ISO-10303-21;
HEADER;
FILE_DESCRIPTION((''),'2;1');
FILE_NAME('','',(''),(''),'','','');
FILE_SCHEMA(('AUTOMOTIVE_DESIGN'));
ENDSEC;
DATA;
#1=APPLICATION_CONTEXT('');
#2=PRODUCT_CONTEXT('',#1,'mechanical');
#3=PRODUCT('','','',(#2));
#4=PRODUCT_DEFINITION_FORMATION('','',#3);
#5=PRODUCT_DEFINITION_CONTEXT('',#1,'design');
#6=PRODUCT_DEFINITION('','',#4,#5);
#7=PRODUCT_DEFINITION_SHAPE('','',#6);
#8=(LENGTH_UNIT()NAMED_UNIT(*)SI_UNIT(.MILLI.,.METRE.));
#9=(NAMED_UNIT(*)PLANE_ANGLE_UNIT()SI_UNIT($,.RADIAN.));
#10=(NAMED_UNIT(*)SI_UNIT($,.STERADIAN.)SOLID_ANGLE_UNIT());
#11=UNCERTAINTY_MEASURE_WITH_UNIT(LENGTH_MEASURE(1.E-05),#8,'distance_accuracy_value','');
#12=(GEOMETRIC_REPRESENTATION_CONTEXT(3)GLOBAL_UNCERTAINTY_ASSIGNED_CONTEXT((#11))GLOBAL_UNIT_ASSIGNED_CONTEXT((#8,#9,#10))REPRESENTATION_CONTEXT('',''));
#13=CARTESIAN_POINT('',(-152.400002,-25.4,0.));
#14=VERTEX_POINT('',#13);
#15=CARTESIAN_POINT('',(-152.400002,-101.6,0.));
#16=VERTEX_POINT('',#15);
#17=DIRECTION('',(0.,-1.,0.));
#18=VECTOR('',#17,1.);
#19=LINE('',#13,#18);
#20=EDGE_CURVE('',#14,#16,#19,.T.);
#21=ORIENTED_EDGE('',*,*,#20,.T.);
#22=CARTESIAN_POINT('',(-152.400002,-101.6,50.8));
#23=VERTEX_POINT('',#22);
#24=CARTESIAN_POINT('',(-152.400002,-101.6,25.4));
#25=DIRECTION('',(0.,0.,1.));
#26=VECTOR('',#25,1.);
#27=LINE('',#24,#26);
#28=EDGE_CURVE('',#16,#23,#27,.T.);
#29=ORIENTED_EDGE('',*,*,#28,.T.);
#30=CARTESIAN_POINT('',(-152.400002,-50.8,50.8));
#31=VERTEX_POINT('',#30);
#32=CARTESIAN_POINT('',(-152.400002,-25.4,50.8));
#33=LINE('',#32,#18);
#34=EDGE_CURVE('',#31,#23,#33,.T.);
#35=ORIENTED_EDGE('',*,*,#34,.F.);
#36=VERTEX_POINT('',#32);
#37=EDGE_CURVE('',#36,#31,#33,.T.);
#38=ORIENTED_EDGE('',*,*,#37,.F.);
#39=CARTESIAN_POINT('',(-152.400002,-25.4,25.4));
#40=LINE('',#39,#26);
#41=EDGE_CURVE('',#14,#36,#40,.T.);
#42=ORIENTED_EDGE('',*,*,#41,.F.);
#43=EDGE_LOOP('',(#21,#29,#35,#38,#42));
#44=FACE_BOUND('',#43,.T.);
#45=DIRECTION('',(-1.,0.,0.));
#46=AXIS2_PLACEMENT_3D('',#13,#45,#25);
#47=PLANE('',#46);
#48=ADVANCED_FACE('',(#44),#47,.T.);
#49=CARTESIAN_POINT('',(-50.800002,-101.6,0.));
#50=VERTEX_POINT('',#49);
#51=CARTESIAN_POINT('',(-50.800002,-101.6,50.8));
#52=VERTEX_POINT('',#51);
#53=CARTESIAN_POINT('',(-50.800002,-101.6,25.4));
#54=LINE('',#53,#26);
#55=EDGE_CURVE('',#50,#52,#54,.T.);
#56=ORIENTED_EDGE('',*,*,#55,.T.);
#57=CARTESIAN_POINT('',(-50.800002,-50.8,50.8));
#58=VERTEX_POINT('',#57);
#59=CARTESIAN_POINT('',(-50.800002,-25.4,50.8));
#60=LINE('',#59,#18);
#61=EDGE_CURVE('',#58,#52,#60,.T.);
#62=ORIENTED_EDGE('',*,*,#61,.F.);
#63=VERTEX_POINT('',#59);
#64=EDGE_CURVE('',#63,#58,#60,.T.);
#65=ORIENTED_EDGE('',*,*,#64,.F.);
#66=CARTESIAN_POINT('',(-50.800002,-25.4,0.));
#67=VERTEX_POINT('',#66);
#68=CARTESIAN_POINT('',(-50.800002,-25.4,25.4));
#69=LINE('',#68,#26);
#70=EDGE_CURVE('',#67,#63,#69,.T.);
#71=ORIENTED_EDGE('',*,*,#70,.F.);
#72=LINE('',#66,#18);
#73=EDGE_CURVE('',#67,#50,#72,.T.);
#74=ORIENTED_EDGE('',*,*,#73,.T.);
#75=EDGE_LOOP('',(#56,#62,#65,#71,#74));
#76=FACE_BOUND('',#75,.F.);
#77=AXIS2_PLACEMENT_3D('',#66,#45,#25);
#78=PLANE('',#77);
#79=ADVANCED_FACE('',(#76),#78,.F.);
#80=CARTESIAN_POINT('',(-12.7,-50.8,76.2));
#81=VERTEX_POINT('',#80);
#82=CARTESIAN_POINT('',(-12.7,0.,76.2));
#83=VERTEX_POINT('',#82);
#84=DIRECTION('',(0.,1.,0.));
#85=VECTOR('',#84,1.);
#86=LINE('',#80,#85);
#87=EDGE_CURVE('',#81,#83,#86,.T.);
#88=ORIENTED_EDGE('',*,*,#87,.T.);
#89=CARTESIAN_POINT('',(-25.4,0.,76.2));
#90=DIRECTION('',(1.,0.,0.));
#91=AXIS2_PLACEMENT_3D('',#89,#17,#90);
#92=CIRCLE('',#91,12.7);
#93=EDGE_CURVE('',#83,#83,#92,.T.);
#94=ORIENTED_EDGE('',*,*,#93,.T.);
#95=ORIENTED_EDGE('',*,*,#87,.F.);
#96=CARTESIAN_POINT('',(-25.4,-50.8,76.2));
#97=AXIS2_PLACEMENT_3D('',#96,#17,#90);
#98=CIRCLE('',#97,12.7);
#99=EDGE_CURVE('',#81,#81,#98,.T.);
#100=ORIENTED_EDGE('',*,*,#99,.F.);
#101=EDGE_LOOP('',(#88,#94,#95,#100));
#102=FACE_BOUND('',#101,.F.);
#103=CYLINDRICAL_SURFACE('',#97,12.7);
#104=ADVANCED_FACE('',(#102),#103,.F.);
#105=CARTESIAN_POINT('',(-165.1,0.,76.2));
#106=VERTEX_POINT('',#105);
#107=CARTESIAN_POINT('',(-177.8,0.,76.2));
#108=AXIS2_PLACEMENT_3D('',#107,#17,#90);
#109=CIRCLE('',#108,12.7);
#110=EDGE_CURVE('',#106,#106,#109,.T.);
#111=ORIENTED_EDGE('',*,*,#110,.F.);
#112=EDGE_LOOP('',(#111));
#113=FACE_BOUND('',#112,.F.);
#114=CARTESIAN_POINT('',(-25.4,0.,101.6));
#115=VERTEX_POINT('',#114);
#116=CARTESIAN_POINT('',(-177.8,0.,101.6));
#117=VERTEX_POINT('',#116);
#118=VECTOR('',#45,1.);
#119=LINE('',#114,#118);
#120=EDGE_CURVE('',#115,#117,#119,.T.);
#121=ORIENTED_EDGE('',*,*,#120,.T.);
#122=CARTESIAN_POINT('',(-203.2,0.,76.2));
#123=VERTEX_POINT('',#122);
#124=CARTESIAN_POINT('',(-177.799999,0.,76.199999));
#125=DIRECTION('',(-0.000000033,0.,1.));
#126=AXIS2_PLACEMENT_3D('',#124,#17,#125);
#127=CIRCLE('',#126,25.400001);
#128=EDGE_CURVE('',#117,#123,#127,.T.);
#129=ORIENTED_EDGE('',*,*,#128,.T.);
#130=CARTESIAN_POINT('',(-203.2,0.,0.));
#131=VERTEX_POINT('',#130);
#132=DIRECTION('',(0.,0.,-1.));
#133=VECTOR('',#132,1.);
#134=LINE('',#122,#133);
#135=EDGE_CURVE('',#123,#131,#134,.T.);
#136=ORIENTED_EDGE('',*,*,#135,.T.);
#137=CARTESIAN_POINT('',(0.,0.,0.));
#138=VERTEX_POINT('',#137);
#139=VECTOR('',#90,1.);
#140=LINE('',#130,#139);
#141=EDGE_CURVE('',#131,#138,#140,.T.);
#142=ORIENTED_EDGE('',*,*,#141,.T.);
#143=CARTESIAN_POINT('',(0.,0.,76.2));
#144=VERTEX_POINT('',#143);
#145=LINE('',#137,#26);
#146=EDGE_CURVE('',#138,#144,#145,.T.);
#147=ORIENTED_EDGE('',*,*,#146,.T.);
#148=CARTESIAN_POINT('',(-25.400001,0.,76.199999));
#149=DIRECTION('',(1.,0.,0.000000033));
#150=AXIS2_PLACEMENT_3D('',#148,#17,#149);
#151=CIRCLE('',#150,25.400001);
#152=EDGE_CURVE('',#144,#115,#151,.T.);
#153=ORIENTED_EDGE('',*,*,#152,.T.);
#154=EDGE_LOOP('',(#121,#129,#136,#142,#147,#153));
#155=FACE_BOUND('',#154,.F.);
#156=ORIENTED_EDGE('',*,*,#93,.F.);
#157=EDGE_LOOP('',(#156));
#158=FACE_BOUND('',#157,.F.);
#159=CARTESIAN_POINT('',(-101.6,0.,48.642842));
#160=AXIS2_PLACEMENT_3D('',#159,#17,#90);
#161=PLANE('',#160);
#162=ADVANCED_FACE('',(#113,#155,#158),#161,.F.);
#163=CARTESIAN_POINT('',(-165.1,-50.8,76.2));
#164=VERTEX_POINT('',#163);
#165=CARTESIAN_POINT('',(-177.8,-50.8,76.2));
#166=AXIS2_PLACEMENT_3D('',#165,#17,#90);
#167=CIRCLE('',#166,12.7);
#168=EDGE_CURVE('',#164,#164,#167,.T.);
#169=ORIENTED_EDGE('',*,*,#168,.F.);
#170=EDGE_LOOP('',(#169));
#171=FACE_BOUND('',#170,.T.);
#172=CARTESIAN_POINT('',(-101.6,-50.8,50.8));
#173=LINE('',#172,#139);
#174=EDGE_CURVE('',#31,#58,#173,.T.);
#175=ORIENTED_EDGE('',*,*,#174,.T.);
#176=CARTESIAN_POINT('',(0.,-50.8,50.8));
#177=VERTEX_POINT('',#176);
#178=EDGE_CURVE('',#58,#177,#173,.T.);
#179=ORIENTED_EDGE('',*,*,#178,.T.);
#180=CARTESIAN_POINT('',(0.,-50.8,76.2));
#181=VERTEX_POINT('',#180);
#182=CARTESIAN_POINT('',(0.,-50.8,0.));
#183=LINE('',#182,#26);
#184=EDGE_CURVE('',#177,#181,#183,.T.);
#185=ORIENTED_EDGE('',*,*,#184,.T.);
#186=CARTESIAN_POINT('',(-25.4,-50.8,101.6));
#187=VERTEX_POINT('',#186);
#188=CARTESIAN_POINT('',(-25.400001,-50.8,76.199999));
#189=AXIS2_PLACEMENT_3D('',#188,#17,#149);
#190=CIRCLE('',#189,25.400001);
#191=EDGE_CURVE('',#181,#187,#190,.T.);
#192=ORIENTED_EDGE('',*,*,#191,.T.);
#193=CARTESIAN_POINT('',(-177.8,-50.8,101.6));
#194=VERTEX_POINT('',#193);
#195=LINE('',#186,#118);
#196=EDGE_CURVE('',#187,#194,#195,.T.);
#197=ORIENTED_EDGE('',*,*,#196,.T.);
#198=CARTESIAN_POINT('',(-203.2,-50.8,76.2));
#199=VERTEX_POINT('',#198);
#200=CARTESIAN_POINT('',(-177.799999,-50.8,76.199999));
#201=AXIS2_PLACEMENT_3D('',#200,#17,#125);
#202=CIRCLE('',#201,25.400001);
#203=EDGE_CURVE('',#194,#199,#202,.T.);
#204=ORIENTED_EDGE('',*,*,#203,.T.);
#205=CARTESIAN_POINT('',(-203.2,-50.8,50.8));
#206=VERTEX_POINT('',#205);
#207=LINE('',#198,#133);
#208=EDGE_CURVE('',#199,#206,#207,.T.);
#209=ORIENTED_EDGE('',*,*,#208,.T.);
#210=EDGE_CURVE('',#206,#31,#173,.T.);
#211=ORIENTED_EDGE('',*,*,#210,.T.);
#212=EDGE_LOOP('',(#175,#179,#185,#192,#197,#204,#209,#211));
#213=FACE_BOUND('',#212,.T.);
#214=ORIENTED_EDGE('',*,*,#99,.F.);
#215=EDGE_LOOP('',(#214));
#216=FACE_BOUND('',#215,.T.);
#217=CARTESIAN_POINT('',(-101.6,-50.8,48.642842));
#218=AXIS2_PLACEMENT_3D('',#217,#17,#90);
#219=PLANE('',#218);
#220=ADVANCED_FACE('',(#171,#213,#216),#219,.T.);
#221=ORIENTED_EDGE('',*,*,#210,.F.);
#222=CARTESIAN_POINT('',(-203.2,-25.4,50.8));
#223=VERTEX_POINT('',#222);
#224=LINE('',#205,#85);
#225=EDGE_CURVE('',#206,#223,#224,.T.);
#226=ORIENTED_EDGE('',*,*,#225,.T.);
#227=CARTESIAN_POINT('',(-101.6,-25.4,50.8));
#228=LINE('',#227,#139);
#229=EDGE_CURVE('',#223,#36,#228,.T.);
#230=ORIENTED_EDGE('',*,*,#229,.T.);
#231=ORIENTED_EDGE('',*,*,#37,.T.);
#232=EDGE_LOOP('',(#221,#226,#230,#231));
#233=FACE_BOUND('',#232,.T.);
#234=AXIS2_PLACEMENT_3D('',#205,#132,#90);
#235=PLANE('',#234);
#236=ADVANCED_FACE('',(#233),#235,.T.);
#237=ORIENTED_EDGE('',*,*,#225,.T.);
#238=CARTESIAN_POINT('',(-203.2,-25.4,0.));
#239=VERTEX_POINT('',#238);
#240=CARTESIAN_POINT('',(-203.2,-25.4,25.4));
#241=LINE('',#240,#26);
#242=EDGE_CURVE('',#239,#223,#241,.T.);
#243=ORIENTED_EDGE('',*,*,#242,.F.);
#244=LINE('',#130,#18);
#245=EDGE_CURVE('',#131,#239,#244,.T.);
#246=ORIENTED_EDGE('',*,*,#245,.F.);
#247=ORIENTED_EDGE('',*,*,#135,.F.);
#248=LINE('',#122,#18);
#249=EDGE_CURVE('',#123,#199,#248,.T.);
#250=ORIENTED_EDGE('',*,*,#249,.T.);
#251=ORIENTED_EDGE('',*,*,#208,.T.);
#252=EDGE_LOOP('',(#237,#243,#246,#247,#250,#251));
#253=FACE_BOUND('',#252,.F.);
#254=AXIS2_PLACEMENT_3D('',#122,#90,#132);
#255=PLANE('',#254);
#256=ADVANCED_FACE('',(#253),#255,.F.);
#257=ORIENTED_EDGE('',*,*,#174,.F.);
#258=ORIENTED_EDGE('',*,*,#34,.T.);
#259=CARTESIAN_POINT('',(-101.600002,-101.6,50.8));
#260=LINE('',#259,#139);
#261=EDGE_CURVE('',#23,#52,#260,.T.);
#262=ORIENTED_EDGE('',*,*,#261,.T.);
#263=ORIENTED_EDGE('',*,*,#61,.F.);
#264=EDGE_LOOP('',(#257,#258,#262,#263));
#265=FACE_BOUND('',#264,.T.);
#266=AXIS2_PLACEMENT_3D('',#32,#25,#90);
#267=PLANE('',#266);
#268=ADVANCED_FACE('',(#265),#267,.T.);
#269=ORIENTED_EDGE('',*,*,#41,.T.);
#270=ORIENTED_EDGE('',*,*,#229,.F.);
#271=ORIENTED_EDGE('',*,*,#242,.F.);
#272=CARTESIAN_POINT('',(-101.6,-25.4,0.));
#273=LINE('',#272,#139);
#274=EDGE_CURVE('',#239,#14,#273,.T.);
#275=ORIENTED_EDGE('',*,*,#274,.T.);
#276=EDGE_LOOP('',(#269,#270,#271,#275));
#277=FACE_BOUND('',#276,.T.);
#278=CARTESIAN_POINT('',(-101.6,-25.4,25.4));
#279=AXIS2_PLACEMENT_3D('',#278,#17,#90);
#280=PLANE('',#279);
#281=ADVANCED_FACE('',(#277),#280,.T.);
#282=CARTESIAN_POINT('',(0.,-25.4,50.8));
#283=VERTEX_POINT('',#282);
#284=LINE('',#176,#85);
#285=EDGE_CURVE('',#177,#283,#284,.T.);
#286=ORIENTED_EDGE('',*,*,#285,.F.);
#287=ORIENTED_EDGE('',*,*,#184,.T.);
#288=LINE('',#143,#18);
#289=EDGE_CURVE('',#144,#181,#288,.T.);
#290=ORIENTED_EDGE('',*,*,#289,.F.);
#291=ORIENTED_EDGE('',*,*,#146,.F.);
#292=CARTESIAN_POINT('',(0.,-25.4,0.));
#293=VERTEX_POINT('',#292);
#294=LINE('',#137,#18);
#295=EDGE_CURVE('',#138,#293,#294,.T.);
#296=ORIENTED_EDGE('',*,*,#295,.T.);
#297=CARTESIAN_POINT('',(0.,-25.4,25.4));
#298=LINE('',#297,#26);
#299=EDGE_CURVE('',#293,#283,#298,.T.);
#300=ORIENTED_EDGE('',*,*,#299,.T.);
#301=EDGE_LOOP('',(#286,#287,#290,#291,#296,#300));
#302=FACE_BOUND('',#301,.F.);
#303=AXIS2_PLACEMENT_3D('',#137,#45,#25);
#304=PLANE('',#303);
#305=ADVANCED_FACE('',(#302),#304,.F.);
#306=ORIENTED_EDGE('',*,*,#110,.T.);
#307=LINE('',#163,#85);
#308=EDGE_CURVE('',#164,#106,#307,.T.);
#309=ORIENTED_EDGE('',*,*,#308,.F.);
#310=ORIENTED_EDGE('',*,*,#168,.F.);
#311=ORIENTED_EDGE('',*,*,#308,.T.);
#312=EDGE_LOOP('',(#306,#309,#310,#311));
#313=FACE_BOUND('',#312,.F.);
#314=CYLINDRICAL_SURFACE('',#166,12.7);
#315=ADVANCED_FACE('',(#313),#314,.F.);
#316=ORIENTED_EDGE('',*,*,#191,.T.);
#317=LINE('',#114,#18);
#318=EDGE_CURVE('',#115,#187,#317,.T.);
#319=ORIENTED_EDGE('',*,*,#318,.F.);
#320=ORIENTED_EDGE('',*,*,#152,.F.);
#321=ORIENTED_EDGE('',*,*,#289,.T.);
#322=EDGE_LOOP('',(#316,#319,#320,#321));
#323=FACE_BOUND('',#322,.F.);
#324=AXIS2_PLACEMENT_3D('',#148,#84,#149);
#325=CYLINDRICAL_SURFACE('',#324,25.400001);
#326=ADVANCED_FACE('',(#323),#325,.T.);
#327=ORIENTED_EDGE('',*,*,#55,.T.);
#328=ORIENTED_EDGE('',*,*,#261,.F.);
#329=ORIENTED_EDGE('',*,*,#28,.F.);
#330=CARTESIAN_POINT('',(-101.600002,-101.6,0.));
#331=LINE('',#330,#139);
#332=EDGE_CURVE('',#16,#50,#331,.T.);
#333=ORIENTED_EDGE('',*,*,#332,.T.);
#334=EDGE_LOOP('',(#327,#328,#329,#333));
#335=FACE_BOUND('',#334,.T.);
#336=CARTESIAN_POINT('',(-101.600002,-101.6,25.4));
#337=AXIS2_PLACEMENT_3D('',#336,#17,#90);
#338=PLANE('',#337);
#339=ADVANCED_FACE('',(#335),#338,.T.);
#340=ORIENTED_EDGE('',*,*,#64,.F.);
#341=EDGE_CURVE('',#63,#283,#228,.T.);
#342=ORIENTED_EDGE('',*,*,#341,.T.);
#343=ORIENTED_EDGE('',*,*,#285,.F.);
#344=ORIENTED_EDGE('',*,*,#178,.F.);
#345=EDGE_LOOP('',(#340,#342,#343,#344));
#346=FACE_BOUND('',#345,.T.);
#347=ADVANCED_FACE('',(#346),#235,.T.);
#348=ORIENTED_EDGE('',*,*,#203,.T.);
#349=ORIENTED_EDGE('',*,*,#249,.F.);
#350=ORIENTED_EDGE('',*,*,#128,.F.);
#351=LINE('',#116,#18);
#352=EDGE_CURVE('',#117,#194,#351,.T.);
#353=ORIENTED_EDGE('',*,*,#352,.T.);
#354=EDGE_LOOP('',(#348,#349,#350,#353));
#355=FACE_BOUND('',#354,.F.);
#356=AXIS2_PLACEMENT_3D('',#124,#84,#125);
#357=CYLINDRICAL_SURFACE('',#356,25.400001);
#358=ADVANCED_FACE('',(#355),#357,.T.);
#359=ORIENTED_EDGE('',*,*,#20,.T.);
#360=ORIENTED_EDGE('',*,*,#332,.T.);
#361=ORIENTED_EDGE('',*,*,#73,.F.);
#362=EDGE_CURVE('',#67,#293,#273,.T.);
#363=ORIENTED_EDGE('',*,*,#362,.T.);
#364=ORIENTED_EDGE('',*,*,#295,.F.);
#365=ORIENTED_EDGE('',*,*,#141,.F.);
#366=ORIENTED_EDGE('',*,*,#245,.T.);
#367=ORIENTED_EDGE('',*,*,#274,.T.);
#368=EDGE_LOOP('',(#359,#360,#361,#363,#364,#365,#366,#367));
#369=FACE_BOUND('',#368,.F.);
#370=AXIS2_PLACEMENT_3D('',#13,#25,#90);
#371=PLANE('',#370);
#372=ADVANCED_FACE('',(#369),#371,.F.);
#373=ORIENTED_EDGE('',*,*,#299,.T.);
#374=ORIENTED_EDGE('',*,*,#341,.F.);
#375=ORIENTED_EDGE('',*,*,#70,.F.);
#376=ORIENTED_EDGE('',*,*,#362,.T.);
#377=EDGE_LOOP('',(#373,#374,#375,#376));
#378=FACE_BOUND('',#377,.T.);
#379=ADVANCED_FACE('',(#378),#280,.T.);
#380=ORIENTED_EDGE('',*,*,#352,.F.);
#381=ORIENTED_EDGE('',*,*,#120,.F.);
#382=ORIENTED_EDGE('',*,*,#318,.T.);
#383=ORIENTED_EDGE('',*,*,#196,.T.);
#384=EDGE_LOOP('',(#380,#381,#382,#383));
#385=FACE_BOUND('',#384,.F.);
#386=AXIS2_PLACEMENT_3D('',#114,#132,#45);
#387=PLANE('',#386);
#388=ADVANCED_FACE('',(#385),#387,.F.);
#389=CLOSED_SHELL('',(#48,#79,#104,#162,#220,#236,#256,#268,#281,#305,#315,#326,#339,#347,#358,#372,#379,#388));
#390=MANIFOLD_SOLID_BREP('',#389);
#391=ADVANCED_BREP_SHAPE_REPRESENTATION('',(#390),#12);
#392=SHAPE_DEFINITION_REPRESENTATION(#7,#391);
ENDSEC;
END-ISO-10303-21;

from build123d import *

# Parameters (mm, degrees)
F1_DEPTH = 50.8
F2_W     = 203.2
F2_H     = 50.8
F3_DEPTH = 25.4
F4_W     = 101.6
F4_H     = 50.8
F5_DEPTH = 76.2
F6_R     = 12.7
F7_DEPTH = 50.8


with BuildPart() as f1:
    # F0 (on Front) → F1 (new body)
    with BuildSketch(Plane.XZ):
        with BuildLine():
            Line((-203.2, 0), (0, 0))
            Line((0, 0), (0, 76.2))
            ThreePointArc((0, 76.2), (-7.439488, 94.160512), (-25.4, 101.6))
            Line((-25.4, 101.6), (-177.8, 101.6))
            ThreePointArc((-177.8, 101.6), (-195.760512, 94.160512), (-203.2, 76.2))
            Line((-203.2, 76.2), (-203.2, 0))
        make_face()
    extrude(amount=F1_DEPTH)

    # F2 (on face) → F3 (cut)
    with BuildSketch(Plane.XZ.offset(50.8)):
        with Locations((-101.6, 25.4)):
            Rectangle(F2_W, F2_H)
    extrude(amount=-F3_DEPTH, mode=Mode.SUBTRACT)

    # F4 (on face) → F5 (join)
    with BuildSketch(Plane.XZ.offset(25.4)):
        with Locations((-101.600002, 25.4)):
            Rectangle(F4_W, F4_H)
    extrude(amount=F5_DEPTH)

    # F6 (on face) → F7 (cut)
    with BuildSketch(Plane.XZ.offset(50.8)):
        with Locations((-177.8, 76.2)):
            Circle(F6_R)
        with Locations((-25.4, 76.2)):
            Circle(F6_R)
    extrude(amount=-F7_DEPTH, mode=Mode.SUBTRACT)


solid = f1.part
